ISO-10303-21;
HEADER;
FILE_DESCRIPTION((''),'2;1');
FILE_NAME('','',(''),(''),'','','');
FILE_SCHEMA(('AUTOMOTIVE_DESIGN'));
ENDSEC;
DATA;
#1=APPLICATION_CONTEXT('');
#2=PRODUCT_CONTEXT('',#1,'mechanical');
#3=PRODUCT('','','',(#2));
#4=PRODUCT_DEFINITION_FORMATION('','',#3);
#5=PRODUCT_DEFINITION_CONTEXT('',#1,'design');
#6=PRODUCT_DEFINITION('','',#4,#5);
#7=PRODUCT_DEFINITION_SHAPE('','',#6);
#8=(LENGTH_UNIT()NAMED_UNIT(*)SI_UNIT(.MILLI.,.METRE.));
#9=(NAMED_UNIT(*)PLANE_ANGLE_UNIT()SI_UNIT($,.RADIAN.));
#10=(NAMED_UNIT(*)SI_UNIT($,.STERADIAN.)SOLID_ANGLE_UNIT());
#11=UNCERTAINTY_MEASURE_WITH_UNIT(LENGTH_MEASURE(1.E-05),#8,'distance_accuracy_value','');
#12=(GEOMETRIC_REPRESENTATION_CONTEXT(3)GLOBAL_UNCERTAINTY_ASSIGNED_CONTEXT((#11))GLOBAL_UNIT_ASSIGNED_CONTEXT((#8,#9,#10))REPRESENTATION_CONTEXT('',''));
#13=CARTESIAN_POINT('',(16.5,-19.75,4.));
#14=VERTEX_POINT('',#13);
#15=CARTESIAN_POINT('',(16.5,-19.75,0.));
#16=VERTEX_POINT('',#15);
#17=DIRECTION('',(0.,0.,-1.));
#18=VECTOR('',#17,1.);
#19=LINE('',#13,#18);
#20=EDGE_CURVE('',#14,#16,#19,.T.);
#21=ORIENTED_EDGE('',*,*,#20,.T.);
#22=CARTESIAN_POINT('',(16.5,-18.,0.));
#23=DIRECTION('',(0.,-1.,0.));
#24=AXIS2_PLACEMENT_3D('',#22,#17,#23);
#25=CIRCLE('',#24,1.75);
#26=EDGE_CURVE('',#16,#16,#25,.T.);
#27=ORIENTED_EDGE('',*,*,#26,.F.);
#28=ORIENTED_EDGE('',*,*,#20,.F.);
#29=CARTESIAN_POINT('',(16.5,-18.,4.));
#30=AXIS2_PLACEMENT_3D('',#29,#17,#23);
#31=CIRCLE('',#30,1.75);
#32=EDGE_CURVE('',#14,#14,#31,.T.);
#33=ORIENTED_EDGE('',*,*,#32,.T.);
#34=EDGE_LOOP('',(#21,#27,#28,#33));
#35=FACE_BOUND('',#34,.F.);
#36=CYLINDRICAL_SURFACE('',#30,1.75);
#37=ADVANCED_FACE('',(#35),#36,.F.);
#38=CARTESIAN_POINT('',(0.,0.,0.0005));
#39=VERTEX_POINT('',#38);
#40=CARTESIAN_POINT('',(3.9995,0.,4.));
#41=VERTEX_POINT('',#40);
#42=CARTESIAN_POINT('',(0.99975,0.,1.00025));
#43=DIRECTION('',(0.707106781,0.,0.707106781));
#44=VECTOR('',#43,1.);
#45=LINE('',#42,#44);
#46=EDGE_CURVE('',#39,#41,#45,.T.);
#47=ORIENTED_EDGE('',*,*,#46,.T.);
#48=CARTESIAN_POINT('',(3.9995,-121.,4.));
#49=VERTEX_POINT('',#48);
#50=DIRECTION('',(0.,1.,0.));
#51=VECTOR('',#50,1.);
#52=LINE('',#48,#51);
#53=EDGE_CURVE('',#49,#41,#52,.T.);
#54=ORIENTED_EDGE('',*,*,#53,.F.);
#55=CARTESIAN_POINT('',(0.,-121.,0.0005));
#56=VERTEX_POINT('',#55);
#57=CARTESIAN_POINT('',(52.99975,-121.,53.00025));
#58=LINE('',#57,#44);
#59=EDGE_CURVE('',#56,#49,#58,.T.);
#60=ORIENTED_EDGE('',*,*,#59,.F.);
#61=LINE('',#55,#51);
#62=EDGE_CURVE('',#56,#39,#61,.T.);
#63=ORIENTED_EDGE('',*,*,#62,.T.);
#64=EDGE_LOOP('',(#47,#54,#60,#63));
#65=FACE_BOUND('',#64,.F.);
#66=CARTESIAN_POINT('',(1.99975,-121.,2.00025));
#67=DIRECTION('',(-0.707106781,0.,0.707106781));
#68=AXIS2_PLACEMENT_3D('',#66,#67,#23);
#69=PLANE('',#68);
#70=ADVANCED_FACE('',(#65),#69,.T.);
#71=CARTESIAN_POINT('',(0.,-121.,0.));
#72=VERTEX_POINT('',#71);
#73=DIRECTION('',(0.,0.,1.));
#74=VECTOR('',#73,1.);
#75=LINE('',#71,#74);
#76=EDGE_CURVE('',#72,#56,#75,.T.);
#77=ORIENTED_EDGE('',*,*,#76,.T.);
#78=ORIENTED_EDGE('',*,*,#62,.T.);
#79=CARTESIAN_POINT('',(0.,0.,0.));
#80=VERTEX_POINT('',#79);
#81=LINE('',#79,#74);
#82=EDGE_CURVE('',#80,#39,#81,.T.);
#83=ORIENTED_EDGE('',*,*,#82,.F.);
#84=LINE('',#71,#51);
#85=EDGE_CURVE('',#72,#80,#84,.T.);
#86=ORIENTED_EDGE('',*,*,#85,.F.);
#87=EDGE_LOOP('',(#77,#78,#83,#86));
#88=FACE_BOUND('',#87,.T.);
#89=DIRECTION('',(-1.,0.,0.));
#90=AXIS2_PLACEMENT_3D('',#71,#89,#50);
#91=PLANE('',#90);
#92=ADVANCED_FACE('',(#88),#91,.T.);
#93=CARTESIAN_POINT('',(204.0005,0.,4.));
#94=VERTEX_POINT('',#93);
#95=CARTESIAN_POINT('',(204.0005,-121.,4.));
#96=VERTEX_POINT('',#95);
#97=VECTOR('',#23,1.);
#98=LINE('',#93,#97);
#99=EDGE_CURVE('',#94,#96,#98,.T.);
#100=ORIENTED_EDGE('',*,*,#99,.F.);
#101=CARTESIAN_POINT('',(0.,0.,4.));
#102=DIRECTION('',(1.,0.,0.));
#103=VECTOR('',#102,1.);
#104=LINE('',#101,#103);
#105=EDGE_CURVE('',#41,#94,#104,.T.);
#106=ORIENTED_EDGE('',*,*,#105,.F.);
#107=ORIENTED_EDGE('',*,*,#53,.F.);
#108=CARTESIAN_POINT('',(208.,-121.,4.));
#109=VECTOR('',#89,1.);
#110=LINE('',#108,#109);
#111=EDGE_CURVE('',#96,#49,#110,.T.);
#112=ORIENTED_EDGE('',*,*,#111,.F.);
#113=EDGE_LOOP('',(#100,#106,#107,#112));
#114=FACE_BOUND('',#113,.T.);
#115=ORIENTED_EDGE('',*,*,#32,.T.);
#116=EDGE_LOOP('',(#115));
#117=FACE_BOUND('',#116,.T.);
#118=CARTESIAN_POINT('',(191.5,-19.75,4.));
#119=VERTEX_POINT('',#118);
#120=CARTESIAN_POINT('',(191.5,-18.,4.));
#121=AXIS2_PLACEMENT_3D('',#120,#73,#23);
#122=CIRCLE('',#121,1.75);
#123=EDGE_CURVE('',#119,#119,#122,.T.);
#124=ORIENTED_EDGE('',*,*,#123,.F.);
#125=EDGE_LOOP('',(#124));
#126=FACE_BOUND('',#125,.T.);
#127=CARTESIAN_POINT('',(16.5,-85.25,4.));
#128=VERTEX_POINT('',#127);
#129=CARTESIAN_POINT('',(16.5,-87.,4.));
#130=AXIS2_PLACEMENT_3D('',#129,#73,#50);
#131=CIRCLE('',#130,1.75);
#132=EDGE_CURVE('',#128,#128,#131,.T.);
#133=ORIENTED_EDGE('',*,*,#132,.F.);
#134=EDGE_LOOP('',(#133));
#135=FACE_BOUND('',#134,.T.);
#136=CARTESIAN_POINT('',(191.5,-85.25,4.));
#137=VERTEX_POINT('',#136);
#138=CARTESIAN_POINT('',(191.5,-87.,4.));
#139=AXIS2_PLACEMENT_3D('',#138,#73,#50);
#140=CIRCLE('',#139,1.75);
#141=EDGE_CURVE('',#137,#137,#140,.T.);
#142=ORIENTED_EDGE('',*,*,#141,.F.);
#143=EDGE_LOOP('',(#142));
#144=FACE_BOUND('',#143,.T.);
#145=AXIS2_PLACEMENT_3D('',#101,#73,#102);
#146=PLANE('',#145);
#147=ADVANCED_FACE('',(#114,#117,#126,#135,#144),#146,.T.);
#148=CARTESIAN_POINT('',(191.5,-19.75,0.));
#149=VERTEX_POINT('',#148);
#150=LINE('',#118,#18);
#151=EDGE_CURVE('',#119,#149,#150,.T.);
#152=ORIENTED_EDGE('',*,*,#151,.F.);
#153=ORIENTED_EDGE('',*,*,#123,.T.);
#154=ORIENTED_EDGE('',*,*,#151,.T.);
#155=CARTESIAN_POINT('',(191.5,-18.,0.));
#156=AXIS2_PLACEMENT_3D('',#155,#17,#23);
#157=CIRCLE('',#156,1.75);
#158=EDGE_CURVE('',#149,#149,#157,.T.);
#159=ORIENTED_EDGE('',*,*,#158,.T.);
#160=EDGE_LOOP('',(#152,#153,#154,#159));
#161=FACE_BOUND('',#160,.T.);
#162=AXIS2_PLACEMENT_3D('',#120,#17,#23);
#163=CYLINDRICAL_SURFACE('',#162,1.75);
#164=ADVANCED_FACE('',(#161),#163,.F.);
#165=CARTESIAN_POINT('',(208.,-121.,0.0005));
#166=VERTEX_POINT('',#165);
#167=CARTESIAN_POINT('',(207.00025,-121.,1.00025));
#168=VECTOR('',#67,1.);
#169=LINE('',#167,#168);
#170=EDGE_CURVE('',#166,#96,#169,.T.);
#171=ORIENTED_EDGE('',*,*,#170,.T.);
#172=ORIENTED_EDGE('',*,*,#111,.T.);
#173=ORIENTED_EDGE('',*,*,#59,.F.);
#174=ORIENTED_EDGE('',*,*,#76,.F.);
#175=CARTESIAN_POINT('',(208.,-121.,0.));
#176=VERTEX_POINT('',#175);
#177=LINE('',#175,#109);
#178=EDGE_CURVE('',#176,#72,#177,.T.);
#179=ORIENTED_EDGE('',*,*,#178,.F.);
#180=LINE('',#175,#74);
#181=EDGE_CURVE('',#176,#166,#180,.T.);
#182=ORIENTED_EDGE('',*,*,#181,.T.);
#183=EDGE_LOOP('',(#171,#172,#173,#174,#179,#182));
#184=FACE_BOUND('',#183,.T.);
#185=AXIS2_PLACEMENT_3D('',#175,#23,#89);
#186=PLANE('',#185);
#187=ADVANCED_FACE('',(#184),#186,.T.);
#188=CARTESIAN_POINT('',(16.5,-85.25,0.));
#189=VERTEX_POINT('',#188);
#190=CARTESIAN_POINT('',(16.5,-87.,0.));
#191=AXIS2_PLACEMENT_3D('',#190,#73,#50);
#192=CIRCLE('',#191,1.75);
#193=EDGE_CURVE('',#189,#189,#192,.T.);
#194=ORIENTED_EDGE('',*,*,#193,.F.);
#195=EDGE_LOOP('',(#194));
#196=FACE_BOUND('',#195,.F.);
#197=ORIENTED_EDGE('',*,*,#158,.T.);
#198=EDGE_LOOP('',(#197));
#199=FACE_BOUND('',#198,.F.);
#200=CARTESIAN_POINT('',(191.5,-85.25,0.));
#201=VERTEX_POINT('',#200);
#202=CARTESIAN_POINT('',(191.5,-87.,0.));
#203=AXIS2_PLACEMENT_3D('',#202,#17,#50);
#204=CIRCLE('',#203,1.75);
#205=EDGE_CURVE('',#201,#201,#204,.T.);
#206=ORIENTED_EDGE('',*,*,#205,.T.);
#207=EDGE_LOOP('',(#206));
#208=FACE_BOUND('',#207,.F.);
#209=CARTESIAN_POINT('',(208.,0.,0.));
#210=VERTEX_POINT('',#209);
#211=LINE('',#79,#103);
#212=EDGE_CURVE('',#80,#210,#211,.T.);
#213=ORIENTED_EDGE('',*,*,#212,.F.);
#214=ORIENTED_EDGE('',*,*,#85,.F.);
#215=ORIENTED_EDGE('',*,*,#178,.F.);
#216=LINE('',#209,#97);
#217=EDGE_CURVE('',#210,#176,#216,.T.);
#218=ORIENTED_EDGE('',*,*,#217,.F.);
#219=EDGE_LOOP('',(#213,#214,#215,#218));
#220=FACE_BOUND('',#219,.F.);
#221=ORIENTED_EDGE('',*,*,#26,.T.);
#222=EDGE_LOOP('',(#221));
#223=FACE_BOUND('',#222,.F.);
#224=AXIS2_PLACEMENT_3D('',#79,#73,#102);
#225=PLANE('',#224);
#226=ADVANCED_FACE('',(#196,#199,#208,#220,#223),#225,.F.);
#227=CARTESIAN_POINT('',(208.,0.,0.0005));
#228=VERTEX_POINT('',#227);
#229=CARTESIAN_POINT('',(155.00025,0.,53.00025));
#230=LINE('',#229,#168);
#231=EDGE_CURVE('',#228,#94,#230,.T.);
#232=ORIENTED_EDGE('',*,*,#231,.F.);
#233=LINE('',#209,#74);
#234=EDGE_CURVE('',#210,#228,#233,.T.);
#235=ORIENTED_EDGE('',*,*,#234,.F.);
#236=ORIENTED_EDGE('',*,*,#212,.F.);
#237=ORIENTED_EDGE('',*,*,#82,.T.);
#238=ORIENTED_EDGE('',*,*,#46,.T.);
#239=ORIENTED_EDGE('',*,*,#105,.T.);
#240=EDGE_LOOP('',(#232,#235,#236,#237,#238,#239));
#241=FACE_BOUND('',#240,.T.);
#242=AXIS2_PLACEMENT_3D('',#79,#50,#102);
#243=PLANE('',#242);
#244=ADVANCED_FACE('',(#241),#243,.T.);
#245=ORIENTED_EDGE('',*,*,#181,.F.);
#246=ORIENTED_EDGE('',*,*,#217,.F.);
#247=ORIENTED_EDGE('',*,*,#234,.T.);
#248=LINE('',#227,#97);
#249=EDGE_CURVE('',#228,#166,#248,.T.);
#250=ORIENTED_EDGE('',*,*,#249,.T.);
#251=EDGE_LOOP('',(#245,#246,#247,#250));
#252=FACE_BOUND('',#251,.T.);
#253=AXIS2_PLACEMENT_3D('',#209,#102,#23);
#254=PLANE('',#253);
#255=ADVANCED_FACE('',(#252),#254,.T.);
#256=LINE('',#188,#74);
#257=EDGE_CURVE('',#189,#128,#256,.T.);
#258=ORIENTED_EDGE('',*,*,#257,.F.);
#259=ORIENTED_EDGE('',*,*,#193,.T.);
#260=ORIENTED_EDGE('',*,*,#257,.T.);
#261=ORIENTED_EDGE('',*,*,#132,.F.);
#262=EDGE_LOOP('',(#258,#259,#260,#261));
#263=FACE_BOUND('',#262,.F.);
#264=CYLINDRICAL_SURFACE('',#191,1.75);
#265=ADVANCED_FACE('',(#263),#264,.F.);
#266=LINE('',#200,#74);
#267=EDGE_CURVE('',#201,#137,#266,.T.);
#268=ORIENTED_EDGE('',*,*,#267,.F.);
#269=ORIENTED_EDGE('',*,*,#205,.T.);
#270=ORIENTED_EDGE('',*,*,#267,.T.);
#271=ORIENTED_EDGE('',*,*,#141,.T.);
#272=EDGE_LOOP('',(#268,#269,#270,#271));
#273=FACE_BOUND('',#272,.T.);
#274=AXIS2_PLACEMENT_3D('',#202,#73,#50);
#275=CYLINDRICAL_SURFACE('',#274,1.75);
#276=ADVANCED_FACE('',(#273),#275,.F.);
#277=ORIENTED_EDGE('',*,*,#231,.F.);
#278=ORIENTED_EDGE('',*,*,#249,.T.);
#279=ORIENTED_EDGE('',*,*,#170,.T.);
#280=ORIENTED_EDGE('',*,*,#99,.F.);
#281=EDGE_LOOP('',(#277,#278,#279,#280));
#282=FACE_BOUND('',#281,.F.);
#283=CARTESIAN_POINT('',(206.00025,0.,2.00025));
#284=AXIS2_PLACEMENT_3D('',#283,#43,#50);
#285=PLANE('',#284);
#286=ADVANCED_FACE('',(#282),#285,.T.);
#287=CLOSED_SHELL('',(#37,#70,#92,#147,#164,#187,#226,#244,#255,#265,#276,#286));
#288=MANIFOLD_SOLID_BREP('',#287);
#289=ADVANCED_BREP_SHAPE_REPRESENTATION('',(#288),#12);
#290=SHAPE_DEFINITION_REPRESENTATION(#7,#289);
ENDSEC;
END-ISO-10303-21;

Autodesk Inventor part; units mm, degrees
ref_plane "YZ Plane" through (0, 0, 0) normal (1, 0, 0) x (0, 1, 0)
ref_plane "XZ Plane" through (0, 0, 0) normal (0, 1, 0) x (-1, 0, 0)
ref_plane "XY Plane" through (0, 0, 0) normal (0, 0, 1) x (1, 0, 0)
sketch "Sketch1" plane through (0, 0, 0) normal (0, 0, 1) x (1, 0, 0)
  line L0 (0, 0) -> (208, 0)
  line L1 (208, 0) -> (208, -121)
  line L2 (208, -121) -> (0, -121)
  line L3 (0, -121) -> (0, 0)
  dimension "d0" = 208
  dimension "d1" = 121
extrude "Extrusion1" add sketch "Sketch1" along normal blind 4
sketch "Sketch2" plane through (0, 0, 0) normal (0, 0, -1) x (-1, 0, 0)
  line L0 (0, -121) -> (-208, -121) projected
  line L1 (0, -121) -> (-16.5, -121)
  line L2 (-16.5, -121) -> (-16.5, -87)
  line L3 (-16.5, -87) -> (0, -87)
  line L4 (0, -87) -> (0, -121)
  point P0 (0, 0)
  dimension "d4" = 16.5
  dimension "d5" = 34
hole "Hole1" at (16.5, -87, 0) direction (0, 0, 1) diameter 3.5 depth 8.8
ref_plane "Work Plane1" through (104, -121, 0) normal (-1, 0, 0) x (0, 0, 1)
ref_plane "Work Plane2" through (0, -60.5, 0) normal (0, 1, 0) x (1, 0, 0)
sketch "Sketch3" plane through (0, 0, 4) normal (0, 0, 1) x (1, 0, 0)
  line L0 (208, 0) -> (0, 0) projected
  line L1 (0, 0) -> (16.5, 0)
  line L2 (16.5, 0) -> (16.5, -18)
  line L3 (16.5, -18) -> (0, -18)
  line L4 (0, -18) -> (0, 0)
  dimension "d13" = 16.5
  dimension "d14" = 18
hole "Hole2" at (16.5, -18, 4) direction (0, 0, -1) diameter 3.5 depth 8.8
mirror "Mirror1" about plane through (104, -121, 0) normal (-1, 0, 0) of "Hole2", "Hole1"
chamfer "Chamfer1" distance 4 angle 45 2 edges at (0, -60.5, 4) (208, -60.5, 4)
properties part number "wall-front"
